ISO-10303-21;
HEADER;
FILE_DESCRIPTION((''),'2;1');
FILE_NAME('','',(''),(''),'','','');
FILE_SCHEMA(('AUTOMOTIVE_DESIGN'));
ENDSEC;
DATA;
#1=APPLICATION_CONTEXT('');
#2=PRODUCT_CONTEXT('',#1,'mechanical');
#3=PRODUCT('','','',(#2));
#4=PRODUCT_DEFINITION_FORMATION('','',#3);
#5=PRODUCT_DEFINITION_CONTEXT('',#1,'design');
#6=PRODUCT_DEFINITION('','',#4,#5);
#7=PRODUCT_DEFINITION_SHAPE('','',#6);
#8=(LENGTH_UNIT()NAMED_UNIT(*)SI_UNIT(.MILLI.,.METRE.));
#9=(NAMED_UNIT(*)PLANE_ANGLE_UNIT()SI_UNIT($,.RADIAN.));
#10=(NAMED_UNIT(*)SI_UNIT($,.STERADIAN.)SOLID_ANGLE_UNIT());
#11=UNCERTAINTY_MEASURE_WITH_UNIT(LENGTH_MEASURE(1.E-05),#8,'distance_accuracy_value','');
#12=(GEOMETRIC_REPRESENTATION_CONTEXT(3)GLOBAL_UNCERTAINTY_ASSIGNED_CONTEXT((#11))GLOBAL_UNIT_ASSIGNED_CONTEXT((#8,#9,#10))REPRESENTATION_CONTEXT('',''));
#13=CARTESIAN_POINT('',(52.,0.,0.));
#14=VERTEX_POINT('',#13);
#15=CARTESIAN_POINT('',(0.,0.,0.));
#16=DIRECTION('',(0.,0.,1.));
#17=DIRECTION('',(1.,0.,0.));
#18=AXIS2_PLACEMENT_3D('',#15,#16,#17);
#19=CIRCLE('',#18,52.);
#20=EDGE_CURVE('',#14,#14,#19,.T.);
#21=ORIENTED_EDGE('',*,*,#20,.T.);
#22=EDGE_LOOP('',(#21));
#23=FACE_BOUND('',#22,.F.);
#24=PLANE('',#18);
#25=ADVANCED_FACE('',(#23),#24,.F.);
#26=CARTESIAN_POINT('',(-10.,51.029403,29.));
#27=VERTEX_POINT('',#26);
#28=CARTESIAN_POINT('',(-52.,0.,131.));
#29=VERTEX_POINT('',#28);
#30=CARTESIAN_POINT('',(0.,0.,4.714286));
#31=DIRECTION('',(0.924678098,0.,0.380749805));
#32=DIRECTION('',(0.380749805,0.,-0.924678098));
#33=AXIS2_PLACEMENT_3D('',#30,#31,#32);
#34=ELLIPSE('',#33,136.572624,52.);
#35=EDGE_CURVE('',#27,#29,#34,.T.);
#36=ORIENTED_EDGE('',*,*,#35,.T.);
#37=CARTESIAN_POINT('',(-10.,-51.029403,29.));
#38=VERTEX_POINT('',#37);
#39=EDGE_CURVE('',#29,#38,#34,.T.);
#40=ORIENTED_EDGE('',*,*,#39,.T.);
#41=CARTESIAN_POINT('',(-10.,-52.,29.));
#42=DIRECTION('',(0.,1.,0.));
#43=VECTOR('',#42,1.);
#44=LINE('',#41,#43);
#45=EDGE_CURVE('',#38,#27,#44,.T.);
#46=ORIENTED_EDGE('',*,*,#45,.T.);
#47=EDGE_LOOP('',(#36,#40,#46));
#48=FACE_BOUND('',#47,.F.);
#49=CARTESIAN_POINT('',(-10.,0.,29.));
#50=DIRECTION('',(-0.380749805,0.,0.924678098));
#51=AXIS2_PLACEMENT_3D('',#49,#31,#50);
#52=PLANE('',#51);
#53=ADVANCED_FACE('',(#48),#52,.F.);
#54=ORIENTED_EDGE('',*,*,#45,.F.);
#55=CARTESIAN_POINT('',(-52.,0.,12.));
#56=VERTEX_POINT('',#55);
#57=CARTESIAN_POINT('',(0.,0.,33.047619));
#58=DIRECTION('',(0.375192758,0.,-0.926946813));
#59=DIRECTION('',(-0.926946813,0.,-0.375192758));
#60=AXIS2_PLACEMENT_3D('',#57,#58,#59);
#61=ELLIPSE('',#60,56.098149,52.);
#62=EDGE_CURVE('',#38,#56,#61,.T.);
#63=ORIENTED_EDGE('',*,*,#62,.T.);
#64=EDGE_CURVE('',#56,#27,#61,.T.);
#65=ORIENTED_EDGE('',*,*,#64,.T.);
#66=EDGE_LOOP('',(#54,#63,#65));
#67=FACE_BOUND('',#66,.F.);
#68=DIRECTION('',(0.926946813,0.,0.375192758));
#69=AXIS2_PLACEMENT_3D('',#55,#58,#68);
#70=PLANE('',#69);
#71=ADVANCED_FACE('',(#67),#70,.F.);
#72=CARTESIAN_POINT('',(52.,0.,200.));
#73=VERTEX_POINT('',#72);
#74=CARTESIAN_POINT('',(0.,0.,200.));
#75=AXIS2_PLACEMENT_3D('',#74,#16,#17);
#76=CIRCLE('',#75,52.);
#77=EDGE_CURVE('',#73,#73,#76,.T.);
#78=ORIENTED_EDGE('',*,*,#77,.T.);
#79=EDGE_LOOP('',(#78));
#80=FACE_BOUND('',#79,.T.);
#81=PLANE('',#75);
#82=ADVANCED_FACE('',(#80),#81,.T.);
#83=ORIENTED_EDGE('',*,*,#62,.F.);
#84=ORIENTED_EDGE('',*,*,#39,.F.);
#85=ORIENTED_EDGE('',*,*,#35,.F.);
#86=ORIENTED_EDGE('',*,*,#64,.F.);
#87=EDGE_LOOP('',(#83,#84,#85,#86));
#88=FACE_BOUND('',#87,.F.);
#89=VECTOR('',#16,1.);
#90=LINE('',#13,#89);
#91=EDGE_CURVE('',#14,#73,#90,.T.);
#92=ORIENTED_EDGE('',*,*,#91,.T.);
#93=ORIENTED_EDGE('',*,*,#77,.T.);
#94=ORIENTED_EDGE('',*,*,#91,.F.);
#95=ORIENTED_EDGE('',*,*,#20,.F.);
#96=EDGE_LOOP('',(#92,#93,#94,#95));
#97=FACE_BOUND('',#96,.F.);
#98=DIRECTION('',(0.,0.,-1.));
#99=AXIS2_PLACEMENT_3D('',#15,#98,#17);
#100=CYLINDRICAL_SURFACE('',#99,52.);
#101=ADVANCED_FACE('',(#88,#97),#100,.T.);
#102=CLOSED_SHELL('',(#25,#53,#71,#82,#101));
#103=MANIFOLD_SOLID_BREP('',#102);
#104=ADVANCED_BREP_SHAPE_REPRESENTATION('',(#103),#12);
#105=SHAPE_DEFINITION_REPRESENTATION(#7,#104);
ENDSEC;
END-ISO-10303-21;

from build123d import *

# Parameters (mm, degrees)
F0_R     = 52
F1_DEPTH = 200
F3_DEPTH = 52


with BuildPart() as f1:
    # F0 (on Top) → F1 (new body)
    with BuildSketch(Plane.XY):
        Circle(F0_R)
    extrude(amount=F1_DEPTH)

    # F2 (on Front) → F3 (cut, symmetric)
    with BuildSketch(Plane.XZ):
        Polygon((-52, 131), (-52, 12), (-10, 29), align=None)
    extrude(amount=F3_DEPTH, both=True, mode=Mode.SUBTRACT)


solid = f1.part
